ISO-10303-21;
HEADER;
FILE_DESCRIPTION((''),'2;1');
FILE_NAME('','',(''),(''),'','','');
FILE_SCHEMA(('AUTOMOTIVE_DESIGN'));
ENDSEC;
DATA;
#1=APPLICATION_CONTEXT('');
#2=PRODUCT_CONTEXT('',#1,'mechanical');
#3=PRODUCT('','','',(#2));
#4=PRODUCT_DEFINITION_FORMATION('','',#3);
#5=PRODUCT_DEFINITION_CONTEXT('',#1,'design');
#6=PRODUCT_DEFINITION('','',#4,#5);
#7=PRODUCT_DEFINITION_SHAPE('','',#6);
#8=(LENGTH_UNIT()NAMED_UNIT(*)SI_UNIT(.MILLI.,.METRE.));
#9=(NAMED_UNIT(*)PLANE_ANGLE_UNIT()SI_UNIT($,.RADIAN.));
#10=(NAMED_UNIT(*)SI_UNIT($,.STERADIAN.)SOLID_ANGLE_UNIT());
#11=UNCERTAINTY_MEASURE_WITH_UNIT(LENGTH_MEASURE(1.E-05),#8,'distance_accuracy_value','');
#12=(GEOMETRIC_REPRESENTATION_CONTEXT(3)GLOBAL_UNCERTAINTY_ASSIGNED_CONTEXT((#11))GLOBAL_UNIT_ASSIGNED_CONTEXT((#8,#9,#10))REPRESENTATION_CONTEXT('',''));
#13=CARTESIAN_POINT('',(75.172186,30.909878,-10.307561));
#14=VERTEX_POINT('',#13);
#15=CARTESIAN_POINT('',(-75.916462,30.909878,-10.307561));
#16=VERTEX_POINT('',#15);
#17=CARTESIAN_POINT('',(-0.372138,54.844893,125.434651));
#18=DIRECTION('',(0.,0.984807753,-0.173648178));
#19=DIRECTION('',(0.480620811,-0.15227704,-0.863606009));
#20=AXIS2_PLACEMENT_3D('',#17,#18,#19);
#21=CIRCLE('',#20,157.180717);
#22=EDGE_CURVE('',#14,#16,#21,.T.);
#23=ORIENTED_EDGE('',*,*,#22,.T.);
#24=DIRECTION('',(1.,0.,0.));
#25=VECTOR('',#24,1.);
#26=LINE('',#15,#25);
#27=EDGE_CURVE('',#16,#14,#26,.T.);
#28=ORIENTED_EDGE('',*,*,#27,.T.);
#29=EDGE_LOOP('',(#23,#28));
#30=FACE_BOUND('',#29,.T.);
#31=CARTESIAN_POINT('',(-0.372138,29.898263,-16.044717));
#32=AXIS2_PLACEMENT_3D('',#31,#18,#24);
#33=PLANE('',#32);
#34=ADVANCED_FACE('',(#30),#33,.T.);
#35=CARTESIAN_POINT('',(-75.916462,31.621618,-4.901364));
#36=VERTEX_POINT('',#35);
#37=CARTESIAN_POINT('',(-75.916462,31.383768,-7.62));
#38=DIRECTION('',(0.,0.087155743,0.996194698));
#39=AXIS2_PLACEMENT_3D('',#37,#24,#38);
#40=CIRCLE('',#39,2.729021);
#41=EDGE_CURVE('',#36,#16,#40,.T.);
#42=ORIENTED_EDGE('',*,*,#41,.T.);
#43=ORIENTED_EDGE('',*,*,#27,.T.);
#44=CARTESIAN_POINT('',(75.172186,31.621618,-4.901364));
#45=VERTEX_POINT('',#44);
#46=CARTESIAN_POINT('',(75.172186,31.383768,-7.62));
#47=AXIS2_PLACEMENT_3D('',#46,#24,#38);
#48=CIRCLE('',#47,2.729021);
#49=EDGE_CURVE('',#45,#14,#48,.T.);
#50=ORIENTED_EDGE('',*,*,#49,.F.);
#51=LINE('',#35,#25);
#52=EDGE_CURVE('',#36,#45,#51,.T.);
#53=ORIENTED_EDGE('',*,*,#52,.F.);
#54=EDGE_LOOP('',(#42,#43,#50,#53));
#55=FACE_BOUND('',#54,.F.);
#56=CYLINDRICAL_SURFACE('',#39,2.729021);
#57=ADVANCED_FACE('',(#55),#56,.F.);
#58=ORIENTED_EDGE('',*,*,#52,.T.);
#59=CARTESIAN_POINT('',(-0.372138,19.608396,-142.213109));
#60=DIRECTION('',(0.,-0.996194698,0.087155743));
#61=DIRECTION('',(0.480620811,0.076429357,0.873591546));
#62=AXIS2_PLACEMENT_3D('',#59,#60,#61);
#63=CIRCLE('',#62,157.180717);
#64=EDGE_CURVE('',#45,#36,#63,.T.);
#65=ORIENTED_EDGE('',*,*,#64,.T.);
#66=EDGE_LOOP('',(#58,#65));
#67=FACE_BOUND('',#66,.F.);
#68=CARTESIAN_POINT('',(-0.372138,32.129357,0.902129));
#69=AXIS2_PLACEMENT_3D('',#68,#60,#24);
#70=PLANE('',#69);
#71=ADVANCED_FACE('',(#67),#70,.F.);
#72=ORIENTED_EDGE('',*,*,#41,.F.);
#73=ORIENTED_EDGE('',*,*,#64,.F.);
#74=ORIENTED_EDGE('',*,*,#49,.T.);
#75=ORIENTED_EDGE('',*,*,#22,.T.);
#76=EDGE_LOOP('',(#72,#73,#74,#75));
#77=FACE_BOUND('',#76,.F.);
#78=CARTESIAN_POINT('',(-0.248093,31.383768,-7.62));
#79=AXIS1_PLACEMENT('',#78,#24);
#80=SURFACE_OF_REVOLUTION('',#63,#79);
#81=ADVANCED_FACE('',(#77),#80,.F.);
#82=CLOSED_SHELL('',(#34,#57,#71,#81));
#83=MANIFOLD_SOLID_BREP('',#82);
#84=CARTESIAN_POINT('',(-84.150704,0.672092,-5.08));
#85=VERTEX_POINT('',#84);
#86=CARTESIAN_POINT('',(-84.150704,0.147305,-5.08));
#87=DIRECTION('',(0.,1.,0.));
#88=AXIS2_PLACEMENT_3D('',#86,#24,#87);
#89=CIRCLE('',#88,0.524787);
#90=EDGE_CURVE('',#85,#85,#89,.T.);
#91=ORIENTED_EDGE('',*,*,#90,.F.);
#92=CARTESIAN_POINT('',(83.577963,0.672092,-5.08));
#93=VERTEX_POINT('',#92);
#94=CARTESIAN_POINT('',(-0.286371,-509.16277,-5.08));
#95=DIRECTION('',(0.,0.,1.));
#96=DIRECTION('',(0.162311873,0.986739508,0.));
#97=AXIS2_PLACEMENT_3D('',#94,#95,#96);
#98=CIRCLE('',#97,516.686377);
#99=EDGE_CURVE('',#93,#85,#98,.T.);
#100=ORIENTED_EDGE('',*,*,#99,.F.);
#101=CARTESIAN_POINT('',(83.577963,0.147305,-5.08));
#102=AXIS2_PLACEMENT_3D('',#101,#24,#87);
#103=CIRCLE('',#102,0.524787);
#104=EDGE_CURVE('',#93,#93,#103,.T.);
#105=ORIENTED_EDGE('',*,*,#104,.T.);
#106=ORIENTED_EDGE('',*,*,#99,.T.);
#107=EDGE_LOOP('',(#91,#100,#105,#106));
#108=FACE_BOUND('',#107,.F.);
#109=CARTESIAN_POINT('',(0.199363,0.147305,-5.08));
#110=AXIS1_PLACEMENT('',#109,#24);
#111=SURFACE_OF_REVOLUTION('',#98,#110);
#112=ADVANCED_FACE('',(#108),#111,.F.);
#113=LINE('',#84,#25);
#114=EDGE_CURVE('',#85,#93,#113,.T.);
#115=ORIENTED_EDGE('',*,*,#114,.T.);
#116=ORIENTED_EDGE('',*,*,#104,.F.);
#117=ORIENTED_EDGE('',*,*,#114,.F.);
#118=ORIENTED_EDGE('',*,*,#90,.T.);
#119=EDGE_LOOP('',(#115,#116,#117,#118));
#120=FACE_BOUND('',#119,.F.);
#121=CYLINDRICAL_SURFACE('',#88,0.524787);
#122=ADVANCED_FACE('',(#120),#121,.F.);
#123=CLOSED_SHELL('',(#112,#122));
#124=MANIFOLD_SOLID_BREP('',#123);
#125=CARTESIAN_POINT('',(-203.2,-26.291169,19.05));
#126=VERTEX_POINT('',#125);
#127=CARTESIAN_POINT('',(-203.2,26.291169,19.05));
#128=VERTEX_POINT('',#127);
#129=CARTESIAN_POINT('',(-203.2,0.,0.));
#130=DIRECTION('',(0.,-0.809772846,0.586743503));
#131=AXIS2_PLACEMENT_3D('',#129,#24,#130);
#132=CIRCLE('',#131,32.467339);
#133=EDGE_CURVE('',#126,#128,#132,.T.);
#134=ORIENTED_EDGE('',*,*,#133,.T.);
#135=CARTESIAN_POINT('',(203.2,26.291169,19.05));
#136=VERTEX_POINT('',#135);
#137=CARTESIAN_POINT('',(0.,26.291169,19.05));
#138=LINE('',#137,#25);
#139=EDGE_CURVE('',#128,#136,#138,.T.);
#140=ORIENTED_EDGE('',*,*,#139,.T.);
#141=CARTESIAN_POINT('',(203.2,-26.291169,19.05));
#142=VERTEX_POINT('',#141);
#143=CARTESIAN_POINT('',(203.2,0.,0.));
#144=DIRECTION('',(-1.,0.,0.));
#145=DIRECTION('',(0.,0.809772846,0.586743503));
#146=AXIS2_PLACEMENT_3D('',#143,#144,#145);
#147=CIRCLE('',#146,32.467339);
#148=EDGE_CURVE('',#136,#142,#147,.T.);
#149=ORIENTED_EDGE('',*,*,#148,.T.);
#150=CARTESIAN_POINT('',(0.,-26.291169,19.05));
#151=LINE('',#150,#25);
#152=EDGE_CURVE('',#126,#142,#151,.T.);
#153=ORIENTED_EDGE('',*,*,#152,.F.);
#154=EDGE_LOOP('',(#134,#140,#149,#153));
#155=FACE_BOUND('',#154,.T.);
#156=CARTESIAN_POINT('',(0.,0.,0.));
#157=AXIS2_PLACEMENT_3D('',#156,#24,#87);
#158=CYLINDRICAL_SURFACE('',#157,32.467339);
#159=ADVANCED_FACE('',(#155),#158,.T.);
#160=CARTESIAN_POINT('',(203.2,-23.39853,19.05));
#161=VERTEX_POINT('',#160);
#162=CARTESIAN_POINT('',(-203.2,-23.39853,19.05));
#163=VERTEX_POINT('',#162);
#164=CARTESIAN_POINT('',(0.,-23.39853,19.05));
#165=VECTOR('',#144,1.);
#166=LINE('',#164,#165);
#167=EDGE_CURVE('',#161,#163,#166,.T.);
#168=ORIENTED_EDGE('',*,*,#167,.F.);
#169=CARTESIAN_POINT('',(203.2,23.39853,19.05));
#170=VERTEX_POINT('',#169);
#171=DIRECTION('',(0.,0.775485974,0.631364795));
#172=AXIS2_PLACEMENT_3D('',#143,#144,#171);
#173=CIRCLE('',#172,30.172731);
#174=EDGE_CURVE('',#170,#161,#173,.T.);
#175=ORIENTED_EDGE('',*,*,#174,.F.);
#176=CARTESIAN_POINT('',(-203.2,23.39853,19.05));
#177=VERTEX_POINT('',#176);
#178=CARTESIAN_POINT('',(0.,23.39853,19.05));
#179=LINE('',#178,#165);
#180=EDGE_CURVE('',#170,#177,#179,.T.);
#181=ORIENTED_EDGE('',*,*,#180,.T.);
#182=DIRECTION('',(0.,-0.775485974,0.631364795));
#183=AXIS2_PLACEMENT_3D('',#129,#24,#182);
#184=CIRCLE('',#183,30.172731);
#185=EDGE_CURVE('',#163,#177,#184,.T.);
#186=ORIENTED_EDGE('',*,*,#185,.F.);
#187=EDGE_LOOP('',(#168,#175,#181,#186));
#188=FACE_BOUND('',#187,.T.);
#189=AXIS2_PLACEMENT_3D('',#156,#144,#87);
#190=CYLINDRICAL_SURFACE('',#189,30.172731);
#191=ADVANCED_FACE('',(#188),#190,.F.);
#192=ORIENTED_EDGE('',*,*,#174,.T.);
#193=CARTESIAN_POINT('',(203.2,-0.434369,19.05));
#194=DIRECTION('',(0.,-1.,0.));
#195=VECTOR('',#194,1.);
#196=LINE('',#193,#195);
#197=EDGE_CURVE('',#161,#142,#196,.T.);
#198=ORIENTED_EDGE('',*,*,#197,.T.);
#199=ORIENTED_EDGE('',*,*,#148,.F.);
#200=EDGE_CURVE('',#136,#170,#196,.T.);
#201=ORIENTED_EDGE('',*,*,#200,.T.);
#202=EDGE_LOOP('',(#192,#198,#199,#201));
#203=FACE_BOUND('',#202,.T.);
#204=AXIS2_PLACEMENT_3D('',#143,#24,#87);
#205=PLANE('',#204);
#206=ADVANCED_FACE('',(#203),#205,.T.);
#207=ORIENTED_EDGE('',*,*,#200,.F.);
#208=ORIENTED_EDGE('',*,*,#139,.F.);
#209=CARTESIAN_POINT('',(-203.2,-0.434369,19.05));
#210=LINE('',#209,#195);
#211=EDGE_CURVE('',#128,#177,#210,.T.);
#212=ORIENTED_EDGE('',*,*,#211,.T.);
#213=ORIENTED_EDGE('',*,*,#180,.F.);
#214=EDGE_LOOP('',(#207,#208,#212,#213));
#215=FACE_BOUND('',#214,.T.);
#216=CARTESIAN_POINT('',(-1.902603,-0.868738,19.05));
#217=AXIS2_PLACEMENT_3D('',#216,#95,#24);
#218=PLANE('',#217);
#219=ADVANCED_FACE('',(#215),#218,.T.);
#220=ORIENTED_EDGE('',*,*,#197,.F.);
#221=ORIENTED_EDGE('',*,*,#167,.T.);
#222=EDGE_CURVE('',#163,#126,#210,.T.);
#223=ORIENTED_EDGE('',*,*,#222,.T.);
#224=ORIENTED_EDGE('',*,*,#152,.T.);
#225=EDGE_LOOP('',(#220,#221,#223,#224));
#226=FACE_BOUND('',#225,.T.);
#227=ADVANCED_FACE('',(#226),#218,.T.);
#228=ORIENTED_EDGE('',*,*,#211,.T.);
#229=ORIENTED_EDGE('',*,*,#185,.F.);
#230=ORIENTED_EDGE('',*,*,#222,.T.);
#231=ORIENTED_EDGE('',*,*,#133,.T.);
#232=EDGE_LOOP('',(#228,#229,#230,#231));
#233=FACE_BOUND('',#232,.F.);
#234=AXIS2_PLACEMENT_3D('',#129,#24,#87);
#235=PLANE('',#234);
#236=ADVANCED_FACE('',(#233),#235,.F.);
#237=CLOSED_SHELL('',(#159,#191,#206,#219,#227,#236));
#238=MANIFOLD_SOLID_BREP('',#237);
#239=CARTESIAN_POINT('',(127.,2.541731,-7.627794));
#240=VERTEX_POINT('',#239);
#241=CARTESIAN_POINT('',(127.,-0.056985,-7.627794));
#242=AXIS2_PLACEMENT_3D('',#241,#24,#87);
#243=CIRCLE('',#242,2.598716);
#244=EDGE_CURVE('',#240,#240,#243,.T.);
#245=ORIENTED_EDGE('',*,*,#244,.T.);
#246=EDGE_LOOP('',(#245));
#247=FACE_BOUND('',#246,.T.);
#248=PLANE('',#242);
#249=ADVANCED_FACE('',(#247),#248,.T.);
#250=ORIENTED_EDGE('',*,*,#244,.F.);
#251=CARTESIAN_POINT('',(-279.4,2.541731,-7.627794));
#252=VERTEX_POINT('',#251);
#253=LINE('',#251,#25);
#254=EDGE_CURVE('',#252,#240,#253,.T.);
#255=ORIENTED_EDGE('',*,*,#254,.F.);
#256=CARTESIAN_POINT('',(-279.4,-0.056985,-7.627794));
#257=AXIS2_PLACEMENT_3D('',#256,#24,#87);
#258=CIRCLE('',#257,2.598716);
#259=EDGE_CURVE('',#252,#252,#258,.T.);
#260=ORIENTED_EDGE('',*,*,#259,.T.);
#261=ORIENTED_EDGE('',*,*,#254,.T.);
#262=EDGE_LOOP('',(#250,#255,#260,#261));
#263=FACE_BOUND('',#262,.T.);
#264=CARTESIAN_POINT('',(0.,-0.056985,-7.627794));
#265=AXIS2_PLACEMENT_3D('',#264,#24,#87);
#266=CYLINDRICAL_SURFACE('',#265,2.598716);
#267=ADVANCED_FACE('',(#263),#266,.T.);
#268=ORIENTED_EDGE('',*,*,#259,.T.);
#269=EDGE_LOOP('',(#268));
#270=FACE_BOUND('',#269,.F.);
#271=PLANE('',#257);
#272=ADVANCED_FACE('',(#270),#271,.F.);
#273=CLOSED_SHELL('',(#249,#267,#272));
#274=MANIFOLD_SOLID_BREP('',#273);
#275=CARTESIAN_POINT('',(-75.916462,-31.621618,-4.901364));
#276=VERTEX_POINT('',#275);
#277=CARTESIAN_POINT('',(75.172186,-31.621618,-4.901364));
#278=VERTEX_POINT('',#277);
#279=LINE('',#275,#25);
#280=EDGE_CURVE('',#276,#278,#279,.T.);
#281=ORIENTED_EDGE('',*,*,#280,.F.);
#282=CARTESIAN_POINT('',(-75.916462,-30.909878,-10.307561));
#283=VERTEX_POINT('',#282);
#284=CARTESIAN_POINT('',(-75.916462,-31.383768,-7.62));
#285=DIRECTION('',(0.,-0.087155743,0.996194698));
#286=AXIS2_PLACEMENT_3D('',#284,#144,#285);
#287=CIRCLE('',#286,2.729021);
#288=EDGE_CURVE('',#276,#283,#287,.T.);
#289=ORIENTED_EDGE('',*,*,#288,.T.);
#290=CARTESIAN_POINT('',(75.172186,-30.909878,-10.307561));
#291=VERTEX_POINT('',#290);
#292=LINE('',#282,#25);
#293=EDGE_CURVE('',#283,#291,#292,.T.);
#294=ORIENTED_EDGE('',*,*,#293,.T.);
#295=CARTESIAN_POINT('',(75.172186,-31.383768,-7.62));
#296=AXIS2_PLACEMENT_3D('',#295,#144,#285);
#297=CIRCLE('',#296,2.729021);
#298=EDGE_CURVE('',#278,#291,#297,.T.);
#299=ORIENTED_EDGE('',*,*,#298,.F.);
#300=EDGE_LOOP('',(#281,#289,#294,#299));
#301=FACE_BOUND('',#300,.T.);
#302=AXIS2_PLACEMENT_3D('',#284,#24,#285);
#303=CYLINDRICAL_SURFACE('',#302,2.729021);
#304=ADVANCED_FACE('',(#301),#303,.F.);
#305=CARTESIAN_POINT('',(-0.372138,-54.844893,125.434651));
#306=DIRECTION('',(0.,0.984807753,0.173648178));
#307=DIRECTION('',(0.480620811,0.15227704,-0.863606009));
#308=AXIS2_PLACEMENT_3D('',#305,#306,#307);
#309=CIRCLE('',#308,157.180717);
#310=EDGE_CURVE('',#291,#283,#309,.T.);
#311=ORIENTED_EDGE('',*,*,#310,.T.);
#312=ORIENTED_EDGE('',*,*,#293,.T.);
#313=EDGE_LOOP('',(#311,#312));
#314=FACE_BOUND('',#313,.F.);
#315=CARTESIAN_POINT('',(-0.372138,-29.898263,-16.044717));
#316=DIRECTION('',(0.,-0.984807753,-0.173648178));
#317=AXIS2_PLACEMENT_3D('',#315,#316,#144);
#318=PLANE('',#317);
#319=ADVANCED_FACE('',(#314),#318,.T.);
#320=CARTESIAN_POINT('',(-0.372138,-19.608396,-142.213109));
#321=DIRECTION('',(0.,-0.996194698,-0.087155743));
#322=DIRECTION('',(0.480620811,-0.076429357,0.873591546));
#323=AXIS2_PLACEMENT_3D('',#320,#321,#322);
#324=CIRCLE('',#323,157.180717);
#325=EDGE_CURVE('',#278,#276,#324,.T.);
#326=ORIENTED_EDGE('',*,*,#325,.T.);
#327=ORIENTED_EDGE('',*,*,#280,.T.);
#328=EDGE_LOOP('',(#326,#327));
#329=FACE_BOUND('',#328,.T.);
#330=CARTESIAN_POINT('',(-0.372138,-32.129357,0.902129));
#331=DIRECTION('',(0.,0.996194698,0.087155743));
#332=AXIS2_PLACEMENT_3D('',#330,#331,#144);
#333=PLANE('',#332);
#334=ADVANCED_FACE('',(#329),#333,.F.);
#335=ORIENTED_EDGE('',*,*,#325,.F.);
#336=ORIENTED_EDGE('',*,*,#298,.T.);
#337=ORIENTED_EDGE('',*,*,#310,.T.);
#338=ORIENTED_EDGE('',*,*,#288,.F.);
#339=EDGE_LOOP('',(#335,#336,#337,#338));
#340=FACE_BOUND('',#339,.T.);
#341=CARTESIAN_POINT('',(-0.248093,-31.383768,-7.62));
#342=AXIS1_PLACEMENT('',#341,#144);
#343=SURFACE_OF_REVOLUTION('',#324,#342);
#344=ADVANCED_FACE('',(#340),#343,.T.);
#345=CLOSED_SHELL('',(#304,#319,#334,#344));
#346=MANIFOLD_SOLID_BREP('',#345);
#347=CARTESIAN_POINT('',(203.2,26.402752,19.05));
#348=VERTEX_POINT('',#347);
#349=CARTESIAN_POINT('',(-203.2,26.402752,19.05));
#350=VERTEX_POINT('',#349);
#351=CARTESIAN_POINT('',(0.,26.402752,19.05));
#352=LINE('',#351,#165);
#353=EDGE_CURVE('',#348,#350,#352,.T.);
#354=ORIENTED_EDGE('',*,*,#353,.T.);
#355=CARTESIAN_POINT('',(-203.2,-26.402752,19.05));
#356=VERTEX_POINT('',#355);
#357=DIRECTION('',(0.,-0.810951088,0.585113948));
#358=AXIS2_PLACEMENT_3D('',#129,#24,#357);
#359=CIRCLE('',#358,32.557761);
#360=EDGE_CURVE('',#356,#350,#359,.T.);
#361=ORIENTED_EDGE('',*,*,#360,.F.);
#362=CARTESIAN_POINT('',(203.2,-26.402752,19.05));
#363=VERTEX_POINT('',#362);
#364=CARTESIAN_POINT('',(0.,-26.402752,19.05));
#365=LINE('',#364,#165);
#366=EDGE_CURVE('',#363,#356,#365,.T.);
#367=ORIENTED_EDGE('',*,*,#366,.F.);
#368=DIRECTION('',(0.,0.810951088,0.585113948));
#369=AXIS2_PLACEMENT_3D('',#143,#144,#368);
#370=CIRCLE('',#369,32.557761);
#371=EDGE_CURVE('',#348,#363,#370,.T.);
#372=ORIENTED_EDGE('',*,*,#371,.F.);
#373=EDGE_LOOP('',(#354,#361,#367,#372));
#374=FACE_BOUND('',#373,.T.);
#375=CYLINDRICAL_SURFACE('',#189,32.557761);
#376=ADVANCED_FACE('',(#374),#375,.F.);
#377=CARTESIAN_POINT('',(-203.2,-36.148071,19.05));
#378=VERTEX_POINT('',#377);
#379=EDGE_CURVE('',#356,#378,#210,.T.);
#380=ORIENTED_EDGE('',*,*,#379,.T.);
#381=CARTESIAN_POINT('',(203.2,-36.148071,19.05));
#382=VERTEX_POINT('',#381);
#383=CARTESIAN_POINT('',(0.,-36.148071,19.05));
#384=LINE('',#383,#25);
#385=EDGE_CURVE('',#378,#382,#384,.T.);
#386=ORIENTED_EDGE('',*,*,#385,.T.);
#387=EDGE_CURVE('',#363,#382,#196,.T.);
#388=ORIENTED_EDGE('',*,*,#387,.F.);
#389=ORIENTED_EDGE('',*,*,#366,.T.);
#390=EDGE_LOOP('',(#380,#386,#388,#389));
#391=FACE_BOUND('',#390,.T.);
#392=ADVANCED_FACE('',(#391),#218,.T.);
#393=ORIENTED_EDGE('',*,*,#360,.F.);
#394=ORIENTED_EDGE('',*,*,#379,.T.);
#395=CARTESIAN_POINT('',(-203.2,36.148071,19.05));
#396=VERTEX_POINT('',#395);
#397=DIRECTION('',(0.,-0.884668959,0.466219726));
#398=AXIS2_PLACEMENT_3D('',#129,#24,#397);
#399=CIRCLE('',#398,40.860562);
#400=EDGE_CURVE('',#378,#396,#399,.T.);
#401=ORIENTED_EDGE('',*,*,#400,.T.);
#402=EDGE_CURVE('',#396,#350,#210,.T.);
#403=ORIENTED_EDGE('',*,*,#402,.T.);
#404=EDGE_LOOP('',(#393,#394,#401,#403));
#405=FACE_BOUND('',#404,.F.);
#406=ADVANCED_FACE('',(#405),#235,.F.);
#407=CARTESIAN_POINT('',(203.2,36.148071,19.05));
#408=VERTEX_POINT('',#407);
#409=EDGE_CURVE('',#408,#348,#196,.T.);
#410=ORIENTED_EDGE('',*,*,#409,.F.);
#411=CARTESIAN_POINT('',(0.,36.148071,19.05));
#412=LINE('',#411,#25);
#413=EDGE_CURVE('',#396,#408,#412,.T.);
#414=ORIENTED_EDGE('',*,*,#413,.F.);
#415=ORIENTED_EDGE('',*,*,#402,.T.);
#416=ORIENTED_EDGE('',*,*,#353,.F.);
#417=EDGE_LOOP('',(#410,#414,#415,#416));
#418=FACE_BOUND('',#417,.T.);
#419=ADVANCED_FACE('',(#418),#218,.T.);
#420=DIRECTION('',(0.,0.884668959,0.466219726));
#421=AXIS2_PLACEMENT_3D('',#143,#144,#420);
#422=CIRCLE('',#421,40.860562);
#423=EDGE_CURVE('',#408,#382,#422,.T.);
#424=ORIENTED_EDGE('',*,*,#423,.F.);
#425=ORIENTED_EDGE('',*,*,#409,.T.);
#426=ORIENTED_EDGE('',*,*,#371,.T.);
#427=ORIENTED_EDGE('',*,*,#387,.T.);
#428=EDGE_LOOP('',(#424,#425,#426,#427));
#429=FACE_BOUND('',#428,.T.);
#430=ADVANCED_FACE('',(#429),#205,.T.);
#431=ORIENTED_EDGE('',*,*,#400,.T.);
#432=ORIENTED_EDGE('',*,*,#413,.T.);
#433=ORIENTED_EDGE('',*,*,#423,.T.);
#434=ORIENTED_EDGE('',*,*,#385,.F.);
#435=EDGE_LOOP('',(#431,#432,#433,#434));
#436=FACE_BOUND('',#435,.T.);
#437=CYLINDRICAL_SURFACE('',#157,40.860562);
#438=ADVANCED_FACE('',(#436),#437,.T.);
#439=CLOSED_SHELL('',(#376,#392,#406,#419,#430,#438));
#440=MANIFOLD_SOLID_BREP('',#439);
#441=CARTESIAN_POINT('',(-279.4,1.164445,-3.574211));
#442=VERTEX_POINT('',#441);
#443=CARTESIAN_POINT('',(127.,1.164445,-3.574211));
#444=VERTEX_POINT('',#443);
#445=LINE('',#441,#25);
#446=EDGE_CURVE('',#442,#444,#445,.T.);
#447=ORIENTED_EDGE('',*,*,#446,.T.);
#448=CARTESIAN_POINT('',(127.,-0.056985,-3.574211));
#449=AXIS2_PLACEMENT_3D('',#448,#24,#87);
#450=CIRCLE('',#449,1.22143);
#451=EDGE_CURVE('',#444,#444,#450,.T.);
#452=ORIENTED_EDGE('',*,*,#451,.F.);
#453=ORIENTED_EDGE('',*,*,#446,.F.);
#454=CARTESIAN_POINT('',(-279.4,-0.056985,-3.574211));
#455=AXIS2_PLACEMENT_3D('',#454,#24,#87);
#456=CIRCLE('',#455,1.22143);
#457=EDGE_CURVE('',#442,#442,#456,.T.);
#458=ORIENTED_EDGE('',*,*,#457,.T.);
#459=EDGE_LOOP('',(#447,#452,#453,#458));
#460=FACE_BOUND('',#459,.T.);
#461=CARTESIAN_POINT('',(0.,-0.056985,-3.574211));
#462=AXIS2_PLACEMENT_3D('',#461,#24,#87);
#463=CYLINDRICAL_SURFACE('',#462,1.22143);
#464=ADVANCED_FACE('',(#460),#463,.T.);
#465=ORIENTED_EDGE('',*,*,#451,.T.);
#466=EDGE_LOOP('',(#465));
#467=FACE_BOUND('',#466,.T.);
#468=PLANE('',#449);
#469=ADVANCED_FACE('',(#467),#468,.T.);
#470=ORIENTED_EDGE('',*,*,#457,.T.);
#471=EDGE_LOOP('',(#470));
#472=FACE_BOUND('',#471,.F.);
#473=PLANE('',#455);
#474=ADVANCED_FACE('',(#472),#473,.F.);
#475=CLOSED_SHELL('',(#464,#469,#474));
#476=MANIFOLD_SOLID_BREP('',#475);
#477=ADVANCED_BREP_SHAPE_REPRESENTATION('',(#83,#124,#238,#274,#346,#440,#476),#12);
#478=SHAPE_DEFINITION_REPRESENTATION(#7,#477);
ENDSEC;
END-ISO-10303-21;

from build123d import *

# Parameters (mm, degrees)
F0_R            = 32.4673386436
F0_R_2          = 30.1727307913
F1_DEPTH        = 203.2
F1_DEPTH_BACK   = 203.2
F2_R            = 40.8605619472
F2_R_2          = 32.5577608494
F3_DEPTH        = 203.2
F3_DEPTH_BACK   = 203.2
F5_W            = 426.0290712118
F5_H            = 92.9357036948
F6_DEPTH        = 35.814
F10_ANGLE_START = 85
F10_ANGLE       = 175
F12_R           = 1.2214298406
F13_DEPTH       = 127
F13_DEPTH_BACK  = 279.4
F12_R_2         = 2.5987159978


with BuildPart() as f1:
    # F0 (on Right) → F1 (new body, two sides)
    with BuildSketch(Plane.YZ) as f1_sk:
        Circle(F0_R)
        Circle(F0_R_2, mode=Mode.SUBTRACT)
    extrude(amount=F1_DEPTH)
    extrude(f1_sk.sketch, amount=-F1_DEPTH_BACK)


with BuildPart() as f3:
    # F2 (on Right) → F3 (new body, two sides)
    with BuildSketch(Plane.YZ) as f3_sk:
        Circle(F2_R)
        Circle(F2_R_2, mode=Mode.SUBTRACT)
    extrude(amount=F3_DEPTH)
    extrude(f3_sk.sketch, amount=-F3_DEPTH_BACK)


with BuildPart() as f6_tool:
    # F5 (on offset) → F6 (new body)
    with BuildSketch(Plane.XY.offset(19.05)):
        with Locations((-1.902602613, -0.8687376976)):
            Rectangle(F5_W, F5_H)
    extrude(amount=F6_DEPTH)


with BuildPart() as f1_1:
    add(f1.part)

    # F6: cut by f6_tool
    add(f6_tool.part, mode=Mode.SUBTRACT)


with BuildPart() as f3_1:
    add(f3.part)

    # F6: cut by f6_tool
    add(f6_tool.part, mode=Mode.SUBTRACT)


with BuildPart() as f10:
    # F9 (on offset) → F10 (revolve)
    with BuildSketch(Plane.XY.offset(-7.62), mode=Mode.PRIVATE) as f10_sk:
        with BuildLine():
            ThreePointArc((75.1721858978, 34.1127887368), (-0.3721378744, 53.4572516303), (-75.9164616466, 34.1127887368))
            Line((-75.9164616466, 34.1127887368), (75.1721858978, 34.1127887368))
        make_face()
    revolve(f10_sk.sketch.rotate(Axis((-0.248093158, 31.383767724, -7.62), (1, 0, 0)), F10_ANGLE_START), axis=Axis((-0.248093158, 31.383767724, -7.62), (1, 0, 0)), revolution_arc=F10_ANGLE)


with BuildPart() as f11_1:
    # F11: instance of F10
    add(f10.part.mirror(Plane.XZ))


with BuildPart() as f13:
    # F12 (on Right) → F13 (new body, two sides)
    with BuildSketch(Plane.YZ) as f13_sk:
        with Locations((-0.056984587, -3.5742109176)):
            Circle(F12_R)
    extrude(amount=F13_DEPTH)
    extrude(f13_sk.sketch, amount=-F13_DEPTH_BACK)


with BuildPart() as f13b:
    # F12 (on Right) → F13, piece 2 (new body, two sides)
    with BuildSketch(Plane.YZ) as f13_2_sk:
        with Locations((-0.056984587, -7.6277935877)):
            Circle(F12_R_2)
    extrude(amount=F13_DEPTH)
    extrude(f13_2_sk.sketch, amount=-F13_DEPTH_BACK)


with BuildPart() as f17:
    # F16 (on offset) → F17 (revolve)
    with BuildSketch(Plane.XY.offset(-5.08)):
        with BuildLine():
            Line((-84.1507039539, 0.6720922538), (83.5779629223, 0.6720922538))
            ThreePointArc((83.5779629223, 0.6720922538), (-0.2863705158, 7.5236079888), (-84.1507039539, 0.6720922538))
        make_face()
    revolve(axis=Axis((0.1993626356, 0.1473052253, -5.08), (1, 0, 0)))


solid = Compound([f1_1.part, f3_1.part, f10.part, f11_1.part, f13.part, f13b.part, f17.part])
